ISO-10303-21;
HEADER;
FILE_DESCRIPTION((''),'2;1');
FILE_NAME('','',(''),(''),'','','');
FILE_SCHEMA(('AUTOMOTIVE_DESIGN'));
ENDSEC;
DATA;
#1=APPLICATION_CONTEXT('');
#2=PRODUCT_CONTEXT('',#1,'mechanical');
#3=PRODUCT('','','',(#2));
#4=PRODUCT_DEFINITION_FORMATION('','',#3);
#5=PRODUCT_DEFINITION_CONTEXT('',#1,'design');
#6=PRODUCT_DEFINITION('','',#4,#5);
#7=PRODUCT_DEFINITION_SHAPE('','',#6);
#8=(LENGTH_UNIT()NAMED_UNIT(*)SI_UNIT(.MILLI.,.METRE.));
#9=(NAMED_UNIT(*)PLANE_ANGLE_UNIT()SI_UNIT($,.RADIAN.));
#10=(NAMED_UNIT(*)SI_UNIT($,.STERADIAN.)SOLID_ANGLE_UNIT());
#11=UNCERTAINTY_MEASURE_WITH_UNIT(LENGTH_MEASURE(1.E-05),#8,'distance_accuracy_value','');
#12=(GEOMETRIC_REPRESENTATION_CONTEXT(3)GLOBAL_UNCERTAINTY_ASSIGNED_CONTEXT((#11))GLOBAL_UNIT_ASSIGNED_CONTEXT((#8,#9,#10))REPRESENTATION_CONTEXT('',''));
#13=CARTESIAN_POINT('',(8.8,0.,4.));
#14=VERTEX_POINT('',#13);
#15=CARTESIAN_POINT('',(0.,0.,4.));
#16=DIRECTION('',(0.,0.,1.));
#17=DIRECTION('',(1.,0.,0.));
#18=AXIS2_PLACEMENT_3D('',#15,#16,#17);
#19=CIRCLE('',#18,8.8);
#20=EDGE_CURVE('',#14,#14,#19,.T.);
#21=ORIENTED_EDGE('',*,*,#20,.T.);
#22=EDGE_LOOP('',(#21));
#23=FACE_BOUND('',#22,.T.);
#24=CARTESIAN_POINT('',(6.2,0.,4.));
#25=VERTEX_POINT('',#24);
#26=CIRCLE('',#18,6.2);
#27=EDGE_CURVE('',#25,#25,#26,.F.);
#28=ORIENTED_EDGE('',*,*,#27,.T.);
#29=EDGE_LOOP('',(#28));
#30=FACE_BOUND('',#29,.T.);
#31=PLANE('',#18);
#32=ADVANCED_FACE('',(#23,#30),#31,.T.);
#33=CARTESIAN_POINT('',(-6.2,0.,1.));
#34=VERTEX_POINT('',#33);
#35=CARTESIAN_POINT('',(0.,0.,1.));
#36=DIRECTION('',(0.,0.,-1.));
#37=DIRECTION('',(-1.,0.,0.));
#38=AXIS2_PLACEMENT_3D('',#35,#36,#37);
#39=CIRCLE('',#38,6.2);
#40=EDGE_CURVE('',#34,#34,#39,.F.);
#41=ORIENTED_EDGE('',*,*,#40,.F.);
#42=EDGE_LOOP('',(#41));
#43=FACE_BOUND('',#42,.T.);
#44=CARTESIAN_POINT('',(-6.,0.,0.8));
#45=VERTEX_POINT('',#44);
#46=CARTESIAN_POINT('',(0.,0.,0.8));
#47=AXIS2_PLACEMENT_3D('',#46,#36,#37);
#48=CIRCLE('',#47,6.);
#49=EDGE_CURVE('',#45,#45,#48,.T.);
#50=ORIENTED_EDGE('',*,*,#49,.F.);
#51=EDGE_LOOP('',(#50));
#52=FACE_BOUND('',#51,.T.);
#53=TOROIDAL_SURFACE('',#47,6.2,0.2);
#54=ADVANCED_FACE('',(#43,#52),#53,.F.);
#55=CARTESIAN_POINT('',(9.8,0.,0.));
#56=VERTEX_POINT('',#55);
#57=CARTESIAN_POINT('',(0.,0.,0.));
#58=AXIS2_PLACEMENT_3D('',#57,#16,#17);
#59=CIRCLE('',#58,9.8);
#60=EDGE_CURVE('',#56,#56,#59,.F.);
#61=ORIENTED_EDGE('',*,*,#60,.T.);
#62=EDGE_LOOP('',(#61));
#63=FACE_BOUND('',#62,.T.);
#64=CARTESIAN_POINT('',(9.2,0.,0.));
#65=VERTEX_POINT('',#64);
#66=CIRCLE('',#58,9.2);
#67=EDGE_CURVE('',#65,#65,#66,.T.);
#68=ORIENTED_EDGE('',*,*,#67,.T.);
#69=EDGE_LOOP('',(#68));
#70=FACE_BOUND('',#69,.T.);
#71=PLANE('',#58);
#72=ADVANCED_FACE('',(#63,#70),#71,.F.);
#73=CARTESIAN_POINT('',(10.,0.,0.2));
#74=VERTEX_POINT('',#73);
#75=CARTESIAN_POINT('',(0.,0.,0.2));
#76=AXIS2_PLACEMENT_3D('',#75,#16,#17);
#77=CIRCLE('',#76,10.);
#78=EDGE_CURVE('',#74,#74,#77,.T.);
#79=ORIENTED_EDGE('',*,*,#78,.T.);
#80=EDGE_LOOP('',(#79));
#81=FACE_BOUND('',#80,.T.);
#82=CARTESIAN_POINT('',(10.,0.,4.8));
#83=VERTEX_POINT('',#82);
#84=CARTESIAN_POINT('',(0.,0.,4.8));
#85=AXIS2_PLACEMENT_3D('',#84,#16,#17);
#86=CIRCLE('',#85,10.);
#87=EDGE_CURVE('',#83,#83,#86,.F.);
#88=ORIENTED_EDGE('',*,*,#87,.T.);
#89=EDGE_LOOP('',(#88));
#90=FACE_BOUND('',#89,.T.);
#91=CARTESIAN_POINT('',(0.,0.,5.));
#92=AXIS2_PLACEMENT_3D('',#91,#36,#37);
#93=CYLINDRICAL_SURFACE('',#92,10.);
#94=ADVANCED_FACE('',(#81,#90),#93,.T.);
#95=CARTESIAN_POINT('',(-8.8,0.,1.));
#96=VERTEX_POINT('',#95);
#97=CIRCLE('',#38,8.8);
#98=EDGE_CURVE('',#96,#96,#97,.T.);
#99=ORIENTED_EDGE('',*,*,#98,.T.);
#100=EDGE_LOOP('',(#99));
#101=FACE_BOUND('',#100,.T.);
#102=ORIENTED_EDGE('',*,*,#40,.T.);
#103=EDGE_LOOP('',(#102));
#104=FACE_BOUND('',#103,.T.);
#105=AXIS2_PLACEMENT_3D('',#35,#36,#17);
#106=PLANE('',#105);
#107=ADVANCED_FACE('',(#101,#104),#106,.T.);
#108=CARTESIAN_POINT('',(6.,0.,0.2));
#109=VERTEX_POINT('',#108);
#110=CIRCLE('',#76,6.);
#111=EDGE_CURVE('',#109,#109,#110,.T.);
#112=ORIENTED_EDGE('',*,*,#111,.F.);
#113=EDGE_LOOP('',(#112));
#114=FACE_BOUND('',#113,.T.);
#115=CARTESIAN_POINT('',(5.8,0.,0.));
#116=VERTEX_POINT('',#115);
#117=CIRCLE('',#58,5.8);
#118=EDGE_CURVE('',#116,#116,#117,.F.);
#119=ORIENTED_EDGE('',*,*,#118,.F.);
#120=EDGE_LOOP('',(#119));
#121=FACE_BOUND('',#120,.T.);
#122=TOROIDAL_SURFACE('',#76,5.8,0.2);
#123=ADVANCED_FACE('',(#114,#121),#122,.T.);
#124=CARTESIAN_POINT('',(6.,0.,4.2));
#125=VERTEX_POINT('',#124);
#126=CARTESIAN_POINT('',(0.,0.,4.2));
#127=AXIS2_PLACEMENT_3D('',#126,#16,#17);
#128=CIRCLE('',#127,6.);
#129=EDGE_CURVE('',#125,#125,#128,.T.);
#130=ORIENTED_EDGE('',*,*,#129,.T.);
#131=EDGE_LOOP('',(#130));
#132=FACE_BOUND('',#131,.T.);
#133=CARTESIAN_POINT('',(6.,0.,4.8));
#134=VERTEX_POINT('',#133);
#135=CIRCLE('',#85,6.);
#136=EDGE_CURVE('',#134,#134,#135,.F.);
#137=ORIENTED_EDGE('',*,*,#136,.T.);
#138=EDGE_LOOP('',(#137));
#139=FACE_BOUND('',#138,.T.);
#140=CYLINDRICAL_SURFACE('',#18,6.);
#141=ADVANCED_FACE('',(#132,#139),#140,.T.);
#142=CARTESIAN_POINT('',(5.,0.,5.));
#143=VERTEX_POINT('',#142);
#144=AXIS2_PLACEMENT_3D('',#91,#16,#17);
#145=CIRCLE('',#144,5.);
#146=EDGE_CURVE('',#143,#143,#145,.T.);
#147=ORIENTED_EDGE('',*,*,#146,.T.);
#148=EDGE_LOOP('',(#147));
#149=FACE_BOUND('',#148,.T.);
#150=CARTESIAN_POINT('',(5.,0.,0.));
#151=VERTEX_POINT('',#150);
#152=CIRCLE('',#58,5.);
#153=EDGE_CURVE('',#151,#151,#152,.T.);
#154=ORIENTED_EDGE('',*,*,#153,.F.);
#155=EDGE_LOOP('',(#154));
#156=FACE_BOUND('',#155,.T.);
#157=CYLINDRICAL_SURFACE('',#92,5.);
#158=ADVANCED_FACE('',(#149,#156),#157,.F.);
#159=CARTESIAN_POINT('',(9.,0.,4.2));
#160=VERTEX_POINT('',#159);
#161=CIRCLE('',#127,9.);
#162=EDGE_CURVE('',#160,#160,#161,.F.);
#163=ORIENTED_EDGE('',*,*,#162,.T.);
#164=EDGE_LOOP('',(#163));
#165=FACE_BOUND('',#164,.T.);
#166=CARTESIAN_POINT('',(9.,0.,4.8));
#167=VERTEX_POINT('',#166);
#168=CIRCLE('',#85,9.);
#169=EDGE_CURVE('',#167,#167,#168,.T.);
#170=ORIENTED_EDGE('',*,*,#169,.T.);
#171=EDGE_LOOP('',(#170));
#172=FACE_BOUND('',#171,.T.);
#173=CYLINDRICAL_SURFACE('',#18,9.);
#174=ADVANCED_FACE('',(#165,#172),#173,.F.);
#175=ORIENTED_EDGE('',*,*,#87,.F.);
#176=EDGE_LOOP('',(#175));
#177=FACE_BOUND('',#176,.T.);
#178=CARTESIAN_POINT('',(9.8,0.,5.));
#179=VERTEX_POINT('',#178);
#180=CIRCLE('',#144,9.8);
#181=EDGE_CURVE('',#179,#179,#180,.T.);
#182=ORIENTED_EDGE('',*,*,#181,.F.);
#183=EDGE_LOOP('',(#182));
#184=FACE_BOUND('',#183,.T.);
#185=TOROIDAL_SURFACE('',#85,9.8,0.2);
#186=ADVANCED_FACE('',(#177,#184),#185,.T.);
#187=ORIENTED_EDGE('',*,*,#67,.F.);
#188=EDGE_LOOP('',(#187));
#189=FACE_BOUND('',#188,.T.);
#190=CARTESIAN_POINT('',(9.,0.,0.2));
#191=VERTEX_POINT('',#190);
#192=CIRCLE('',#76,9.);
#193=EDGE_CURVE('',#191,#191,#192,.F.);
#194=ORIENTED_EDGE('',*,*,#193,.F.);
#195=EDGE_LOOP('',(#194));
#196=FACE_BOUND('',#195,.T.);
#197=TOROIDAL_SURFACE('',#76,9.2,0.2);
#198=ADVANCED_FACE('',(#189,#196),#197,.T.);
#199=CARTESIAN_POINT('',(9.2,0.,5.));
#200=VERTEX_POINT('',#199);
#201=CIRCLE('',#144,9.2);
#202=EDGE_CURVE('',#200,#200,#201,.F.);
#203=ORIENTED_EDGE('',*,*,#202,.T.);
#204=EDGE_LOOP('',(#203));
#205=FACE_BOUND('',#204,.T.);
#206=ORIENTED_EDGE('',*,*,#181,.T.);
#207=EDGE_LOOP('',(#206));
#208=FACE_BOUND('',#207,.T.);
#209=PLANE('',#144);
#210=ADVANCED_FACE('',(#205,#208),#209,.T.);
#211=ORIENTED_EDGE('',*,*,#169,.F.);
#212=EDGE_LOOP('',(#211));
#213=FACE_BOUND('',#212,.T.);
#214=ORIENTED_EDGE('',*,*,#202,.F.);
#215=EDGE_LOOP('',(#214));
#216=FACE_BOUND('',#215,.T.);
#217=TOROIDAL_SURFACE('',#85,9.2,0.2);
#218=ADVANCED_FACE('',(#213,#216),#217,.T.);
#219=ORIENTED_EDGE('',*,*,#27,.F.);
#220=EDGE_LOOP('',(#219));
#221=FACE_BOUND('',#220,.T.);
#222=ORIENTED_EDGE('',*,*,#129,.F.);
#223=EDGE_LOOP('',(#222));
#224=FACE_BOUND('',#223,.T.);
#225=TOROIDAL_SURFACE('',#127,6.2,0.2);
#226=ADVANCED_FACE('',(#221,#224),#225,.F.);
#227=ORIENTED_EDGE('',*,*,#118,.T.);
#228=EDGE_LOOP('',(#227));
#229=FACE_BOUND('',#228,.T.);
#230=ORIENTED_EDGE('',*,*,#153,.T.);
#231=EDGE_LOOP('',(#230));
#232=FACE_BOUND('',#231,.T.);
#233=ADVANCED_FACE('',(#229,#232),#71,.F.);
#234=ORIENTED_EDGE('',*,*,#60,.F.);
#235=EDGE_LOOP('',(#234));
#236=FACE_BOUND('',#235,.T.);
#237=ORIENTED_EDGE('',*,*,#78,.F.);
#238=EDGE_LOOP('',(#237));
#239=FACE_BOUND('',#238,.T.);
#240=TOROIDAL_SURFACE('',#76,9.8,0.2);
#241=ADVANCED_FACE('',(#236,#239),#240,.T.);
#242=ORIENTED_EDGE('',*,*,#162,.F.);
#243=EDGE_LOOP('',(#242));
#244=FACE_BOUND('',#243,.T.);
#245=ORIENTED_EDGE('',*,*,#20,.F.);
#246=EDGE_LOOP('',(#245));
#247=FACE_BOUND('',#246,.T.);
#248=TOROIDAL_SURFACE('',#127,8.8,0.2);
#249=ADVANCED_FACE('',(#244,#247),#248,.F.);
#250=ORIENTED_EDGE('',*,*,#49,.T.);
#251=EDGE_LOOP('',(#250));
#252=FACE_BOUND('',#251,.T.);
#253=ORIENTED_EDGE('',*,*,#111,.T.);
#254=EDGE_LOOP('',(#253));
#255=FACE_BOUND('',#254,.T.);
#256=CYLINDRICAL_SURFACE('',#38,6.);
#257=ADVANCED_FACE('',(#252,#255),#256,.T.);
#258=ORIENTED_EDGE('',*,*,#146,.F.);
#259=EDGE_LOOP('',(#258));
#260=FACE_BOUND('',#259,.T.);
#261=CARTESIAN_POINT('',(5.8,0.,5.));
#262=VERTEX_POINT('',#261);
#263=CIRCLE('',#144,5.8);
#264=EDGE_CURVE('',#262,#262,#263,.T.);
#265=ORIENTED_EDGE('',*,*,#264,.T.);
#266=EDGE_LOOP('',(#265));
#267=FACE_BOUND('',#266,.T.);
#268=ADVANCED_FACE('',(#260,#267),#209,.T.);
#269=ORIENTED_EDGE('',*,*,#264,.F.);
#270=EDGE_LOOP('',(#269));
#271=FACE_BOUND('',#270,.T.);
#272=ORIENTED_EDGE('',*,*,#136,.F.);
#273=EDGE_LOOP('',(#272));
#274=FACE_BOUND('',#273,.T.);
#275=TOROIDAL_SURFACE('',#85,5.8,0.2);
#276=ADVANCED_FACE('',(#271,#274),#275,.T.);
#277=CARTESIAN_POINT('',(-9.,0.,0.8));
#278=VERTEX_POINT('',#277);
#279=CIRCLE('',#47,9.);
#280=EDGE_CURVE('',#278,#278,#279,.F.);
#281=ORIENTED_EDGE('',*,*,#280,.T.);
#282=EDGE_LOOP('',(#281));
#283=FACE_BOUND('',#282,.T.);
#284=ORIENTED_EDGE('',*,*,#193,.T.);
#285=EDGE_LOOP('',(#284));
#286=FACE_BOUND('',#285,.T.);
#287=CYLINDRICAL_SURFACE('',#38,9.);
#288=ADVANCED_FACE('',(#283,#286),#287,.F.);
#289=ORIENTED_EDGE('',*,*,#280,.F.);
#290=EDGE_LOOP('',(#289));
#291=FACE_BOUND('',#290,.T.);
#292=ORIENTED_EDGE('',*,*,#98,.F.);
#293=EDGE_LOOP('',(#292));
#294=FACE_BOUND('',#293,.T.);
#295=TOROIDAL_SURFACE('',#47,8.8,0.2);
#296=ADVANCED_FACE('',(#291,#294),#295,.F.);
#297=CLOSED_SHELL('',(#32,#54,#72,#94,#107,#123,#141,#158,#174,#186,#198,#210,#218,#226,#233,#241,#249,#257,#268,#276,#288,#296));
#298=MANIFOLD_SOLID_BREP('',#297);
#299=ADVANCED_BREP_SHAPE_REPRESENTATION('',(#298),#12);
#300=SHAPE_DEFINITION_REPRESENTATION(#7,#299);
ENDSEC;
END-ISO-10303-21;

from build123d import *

# Parameters (mm, degrees)
SKETCH_1_R          = 10
SKETCH_1_R_2        = 5
EXTRUDE_1_DEPTH     = 5
SKETCH_3_R          = 9
SKETCH_3_R_2        = 6
CUT_EXTRUDE_1_DEPTH = 1
FILLET_1_R          = 0.2


with BuildPart() as part:
    # 草图1 → 凸台-拉伸1 (new body)
    with BuildSketch(Plane.XY):
        Circle(SKETCH_1_R)
        Circle(SKETCH_1_R_2, mode=Mode.SUBTRACT)
    extrude(amount=EXTRUDE_1_DEPTH)

    # 草图3 → 切除-拉伸1 (cut)
    with BuildSketch(Plane.XY.offset(5)):
        Circle(SKETCH_3_R)
        Circle(SKETCH_3_R_2, mode=Mode.SUBTRACT)
    cut_extrude_1 = extrude(amount=-CUT_EXTRUDE_1_DEPTH, mode=Mode.SUBTRACT)

    # 镜向1: 切除-拉伸1 across plane
    add(cut_extrude_1.mirror(Plane.XY.offset(2.5)), mode=Mode.SUBTRACT)

    # 圆角1
    fillet_1_edges = [part.edges().sort_by_distance(p)[0] for p in [
        (-9, 0, 4),
        (-6, 0, 4),
        (-9, 0, 5),
        (-6, 0, 5),
        (-9, 0, 1),
        (-6, 0, 0),
        (-9, 0, 0),
        (-6, 0, 1),
        (-10, 0, 0),
        (-10, 0, 5),
    ]]
    fillet(fillet_1_edges, radius=FILLET_1_R)


solid = part.part
